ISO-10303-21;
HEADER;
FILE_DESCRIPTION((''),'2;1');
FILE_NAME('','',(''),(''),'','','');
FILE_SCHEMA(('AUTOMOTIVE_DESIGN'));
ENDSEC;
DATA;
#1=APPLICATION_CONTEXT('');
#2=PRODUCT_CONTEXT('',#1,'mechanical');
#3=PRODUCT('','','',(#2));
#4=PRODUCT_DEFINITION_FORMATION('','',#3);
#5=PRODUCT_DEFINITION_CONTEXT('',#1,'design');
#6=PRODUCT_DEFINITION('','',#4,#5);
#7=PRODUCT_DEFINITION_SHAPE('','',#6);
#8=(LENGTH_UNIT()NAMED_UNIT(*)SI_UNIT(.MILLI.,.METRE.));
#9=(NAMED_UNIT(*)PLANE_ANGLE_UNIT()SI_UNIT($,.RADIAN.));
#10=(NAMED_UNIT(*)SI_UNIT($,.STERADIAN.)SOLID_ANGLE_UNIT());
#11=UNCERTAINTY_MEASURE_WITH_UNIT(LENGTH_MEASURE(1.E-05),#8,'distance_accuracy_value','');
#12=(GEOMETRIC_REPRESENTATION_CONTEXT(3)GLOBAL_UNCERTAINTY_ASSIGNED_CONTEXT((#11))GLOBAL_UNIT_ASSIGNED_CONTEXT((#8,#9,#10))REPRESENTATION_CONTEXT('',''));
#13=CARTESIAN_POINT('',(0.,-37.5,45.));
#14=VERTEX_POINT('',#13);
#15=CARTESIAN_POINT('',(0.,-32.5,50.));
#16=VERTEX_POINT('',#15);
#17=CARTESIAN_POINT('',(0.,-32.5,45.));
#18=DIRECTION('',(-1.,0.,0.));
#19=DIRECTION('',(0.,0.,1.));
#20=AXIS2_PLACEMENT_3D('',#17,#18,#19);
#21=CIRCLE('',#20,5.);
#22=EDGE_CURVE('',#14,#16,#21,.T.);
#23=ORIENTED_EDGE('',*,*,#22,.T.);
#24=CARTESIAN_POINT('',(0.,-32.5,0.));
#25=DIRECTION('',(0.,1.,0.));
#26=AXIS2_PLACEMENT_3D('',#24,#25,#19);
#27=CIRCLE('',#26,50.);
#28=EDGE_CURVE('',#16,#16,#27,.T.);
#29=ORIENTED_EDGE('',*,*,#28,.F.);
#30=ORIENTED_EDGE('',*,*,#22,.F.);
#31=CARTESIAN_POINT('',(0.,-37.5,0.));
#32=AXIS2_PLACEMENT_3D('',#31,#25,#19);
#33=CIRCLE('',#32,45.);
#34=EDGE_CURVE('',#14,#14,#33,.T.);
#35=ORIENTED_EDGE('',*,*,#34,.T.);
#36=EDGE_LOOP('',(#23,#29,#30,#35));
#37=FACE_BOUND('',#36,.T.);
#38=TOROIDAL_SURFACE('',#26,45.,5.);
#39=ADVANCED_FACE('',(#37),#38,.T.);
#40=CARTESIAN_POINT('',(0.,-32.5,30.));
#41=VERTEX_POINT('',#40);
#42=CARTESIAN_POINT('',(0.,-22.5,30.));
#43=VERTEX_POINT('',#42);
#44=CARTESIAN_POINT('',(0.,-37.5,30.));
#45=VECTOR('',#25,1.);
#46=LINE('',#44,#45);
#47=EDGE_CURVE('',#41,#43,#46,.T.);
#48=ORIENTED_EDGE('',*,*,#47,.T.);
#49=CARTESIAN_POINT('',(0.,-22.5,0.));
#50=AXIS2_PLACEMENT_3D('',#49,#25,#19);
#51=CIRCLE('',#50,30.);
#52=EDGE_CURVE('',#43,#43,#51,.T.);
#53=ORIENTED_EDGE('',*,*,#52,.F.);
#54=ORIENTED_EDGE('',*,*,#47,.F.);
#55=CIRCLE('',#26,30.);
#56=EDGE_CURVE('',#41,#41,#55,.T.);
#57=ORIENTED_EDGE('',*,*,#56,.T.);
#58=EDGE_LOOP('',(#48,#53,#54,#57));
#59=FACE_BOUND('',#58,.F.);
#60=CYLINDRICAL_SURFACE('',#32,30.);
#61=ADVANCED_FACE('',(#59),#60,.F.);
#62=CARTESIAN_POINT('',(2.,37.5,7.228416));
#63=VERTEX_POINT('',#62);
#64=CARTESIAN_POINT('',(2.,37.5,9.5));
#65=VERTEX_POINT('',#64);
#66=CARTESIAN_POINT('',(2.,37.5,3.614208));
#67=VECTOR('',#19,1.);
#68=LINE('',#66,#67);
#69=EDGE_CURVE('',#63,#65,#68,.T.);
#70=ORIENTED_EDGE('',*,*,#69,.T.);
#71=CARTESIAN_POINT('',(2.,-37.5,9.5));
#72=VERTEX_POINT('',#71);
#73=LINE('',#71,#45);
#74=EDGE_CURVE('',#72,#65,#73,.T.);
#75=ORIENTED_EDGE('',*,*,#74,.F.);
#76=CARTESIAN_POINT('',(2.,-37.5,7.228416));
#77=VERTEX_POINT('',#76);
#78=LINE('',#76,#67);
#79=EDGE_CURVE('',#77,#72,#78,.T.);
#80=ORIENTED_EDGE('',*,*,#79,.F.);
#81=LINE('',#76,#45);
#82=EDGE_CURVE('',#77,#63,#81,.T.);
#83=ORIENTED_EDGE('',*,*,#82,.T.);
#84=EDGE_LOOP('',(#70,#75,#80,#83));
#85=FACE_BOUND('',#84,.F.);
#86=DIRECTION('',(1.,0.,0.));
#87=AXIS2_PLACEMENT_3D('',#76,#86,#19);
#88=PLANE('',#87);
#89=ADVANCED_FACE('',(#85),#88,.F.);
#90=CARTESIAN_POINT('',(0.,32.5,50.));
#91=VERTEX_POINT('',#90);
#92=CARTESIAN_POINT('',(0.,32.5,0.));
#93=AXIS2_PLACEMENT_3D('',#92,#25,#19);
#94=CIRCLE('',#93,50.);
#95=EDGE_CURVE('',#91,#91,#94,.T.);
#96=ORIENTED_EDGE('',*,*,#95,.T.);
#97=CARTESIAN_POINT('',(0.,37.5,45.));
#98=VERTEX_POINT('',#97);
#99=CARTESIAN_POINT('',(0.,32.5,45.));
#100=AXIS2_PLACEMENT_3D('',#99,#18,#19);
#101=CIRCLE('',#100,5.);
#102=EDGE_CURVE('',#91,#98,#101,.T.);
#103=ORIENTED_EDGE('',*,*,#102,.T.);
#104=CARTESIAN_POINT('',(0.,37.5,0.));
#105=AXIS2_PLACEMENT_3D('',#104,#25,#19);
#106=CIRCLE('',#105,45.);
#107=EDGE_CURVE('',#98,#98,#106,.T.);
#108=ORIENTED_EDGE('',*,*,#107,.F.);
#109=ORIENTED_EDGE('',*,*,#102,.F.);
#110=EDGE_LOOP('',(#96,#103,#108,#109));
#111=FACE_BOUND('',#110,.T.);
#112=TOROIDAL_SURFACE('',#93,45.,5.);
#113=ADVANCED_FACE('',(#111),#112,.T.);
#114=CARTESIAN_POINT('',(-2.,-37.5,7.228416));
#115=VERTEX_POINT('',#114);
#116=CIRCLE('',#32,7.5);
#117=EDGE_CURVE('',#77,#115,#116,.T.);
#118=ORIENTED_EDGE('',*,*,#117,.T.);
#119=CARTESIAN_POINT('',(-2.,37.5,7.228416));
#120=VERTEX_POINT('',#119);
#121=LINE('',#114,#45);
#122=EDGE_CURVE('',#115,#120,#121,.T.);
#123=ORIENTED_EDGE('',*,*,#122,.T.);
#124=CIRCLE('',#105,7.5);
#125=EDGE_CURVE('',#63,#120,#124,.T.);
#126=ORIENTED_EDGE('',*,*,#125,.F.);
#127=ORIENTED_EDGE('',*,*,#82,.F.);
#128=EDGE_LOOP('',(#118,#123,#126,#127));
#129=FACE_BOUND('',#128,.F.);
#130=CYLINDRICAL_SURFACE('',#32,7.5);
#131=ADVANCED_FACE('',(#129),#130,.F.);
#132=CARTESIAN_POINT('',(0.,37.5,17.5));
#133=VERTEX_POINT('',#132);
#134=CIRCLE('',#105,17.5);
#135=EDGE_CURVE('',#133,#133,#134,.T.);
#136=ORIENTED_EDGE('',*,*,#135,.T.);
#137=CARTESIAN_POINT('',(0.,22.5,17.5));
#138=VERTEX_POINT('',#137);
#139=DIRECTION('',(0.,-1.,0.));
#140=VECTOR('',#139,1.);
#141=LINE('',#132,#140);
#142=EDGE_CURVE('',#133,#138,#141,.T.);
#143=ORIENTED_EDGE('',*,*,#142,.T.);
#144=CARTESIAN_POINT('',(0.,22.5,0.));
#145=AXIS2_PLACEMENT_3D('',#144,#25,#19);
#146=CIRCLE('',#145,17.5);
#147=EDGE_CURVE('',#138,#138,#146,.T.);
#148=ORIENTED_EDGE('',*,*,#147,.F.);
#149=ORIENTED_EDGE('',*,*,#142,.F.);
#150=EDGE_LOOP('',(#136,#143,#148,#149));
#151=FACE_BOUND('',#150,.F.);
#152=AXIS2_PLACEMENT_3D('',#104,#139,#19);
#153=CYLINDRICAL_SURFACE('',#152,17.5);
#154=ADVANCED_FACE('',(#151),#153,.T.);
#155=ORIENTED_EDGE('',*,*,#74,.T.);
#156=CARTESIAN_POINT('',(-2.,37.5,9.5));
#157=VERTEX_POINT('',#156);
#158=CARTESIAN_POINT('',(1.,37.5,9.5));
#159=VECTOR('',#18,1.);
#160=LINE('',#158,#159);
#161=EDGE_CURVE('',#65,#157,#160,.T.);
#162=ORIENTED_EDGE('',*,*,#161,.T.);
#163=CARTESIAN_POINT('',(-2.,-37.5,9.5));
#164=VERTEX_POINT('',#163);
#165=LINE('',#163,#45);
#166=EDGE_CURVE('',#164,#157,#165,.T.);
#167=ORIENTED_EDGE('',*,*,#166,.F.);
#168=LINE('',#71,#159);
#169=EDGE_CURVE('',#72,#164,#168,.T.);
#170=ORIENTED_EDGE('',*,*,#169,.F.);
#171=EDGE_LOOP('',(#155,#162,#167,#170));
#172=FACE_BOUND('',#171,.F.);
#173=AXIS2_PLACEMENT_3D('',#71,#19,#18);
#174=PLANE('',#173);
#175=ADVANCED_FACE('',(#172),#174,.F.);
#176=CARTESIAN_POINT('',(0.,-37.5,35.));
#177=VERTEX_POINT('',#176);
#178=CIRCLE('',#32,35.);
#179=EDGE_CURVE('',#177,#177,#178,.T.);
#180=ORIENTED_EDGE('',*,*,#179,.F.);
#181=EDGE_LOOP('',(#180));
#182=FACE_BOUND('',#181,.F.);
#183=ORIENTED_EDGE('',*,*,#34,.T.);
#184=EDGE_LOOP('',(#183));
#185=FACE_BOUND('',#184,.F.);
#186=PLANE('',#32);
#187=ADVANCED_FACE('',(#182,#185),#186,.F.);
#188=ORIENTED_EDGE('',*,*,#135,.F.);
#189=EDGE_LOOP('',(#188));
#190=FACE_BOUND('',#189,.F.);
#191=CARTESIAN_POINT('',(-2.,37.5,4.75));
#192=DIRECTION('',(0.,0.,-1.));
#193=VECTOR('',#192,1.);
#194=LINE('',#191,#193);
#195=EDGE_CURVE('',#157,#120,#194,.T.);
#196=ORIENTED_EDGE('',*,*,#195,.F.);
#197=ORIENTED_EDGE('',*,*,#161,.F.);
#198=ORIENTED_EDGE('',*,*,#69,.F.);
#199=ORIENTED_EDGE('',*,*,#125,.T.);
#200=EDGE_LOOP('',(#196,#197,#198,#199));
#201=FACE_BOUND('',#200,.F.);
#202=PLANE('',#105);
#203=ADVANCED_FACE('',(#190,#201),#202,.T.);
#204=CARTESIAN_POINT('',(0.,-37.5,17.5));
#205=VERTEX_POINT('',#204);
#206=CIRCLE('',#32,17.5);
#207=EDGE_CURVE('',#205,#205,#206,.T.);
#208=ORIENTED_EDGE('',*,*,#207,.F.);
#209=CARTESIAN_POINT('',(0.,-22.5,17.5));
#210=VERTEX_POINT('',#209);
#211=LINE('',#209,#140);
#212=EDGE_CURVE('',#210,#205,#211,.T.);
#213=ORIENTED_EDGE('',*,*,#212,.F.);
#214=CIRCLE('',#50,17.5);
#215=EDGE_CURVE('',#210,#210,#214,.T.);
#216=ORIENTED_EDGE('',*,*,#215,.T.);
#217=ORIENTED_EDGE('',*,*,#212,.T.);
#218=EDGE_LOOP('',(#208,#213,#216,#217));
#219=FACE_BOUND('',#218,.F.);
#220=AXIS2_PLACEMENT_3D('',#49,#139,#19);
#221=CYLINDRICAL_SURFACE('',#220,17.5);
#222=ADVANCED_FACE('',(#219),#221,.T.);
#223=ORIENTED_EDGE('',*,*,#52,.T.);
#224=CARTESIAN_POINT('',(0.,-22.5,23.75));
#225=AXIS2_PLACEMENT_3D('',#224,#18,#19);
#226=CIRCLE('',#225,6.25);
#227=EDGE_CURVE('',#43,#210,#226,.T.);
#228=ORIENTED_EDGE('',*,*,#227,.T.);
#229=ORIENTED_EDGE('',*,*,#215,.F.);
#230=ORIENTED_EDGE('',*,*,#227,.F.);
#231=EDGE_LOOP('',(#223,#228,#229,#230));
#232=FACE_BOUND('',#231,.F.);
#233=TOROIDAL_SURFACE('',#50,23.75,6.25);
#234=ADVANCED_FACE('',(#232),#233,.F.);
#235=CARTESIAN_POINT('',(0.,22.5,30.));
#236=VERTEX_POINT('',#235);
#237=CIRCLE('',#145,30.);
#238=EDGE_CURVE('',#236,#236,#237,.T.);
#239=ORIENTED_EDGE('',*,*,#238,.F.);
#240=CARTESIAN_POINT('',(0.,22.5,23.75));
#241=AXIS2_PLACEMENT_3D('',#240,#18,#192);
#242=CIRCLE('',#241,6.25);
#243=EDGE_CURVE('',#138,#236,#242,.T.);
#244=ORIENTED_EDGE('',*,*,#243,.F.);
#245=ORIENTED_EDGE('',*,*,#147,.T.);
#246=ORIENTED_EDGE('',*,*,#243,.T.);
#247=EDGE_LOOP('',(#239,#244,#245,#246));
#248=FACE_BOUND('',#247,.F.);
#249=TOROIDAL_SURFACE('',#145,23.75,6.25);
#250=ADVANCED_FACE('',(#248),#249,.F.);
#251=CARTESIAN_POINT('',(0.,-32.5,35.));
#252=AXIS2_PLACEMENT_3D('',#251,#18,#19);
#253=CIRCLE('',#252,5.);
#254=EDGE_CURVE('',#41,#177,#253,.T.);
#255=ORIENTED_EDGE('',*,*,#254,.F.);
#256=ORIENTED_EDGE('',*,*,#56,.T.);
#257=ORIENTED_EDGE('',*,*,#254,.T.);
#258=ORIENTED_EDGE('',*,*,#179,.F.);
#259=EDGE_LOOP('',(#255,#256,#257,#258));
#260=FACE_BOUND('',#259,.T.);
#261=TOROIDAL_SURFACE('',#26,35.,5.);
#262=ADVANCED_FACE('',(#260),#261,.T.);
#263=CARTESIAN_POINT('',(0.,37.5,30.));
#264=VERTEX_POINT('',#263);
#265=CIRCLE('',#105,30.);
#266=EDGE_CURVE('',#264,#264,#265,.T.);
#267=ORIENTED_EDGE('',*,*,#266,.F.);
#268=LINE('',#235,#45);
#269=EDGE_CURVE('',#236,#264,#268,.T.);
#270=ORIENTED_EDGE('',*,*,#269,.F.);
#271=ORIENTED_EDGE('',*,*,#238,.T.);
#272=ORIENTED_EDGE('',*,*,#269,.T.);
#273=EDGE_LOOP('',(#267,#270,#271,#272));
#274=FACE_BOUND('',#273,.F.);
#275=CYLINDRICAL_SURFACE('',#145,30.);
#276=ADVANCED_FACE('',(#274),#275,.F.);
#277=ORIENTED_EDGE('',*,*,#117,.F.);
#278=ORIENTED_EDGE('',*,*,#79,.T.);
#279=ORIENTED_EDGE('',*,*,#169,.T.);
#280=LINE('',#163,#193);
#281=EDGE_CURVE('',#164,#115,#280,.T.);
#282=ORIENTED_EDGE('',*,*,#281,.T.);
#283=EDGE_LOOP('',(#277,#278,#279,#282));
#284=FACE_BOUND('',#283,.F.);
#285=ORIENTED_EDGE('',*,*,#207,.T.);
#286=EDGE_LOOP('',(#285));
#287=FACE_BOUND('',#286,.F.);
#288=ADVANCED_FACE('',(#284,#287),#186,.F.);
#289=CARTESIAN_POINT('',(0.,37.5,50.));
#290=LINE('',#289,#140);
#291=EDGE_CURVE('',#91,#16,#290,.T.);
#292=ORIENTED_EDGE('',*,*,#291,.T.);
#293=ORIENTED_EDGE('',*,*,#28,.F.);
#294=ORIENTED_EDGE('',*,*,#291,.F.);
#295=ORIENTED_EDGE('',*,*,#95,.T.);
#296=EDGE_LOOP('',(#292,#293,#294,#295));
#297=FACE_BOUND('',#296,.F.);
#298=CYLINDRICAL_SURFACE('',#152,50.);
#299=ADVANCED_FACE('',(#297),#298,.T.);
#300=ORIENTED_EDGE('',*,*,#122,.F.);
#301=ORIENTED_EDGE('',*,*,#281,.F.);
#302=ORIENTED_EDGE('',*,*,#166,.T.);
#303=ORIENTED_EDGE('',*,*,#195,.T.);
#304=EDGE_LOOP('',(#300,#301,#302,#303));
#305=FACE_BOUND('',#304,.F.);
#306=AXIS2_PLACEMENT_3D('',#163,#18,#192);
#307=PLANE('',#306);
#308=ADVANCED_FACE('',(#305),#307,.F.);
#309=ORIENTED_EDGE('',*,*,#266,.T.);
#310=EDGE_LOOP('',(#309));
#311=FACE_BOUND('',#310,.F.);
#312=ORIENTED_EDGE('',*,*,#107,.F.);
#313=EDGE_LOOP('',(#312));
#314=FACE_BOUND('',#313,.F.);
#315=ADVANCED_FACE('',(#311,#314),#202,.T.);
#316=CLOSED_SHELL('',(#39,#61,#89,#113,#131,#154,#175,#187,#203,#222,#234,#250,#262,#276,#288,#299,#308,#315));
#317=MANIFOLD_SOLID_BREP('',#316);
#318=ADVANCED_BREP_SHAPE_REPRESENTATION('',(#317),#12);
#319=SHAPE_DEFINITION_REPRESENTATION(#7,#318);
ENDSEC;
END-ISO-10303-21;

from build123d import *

# Parameters (mm, degrees)
F3_DEPTH = 75.001
F4_R     = 5
F5_R     = 5


with BuildPart() as f1:
    # F0 (on Right) → F1 (revolve)
    with BuildSketch(Plane.YZ):
        with BuildLine():
            Line((0, 7.5), (37.5, 7.5))
            Line((37.5, 7.5), (37.5, 17.5))
            Line((37.5, 17.5), (22.5, 17.5))
            ThreePointArc((22.5, 17.5), (16.25, 23.75), (22.5, 30))
            Line((22.5, 30), (37.5, 30))
            Line((37.5, 30), (37.5, 50))
            Line((37.5, 50), (0, 50))
            Line((0, 50), (-37.5, 50))
            Line((-37.5, 50), (-37.5, 30))
            Line((-37.5, 30), (-22.5, 30))
            ThreePointArc((-22.5, 30), (-16.25, 23.75), (-22.5, 17.5))
            Line((-22.5, 17.5), (-37.5, 17.5))
            Line((-37.5, 17.5), (-37.5, 7.5))
            Line((-37.5, 7.5), (0, 7.5))
        make_face()
    revolve(axis=Axis((0, 0, 0), (0, 1, 0)))

    # F2 (on face) → F3 (cut, through all)
    with BuildSketch(Plane.XZ.offset(37.5)):
        with BuildLine():
            Line((-2, 9.5), (-2, 7.228416))
            ThreePointArc((-2, 7.228416), (0, 7.5), (2, 7.228416))
            Line((2, 7.228416), (2, 9.5))
            Line((2, 9.5), (-2, 9.5))
        make_face()
    extrude(amount=-F3_DEPTH, mode=Mode.SUBTRACT)

    # F4
    f4_edges = [f1.edges().sort_by_distance(p)[0] for p in [
        (0, -37.5, -30),
    ]]
    fillet(f4_edges, radius=F4_R)

    # F5
    f5_edges = [f1.edges().sort_by_distance(p)[0] for p in [
        (0, -37.5, -50),
        (0, 37.5, -50),
    ]]
    fillet(f5_edges, radius=F5_R)


solid = f1.part
